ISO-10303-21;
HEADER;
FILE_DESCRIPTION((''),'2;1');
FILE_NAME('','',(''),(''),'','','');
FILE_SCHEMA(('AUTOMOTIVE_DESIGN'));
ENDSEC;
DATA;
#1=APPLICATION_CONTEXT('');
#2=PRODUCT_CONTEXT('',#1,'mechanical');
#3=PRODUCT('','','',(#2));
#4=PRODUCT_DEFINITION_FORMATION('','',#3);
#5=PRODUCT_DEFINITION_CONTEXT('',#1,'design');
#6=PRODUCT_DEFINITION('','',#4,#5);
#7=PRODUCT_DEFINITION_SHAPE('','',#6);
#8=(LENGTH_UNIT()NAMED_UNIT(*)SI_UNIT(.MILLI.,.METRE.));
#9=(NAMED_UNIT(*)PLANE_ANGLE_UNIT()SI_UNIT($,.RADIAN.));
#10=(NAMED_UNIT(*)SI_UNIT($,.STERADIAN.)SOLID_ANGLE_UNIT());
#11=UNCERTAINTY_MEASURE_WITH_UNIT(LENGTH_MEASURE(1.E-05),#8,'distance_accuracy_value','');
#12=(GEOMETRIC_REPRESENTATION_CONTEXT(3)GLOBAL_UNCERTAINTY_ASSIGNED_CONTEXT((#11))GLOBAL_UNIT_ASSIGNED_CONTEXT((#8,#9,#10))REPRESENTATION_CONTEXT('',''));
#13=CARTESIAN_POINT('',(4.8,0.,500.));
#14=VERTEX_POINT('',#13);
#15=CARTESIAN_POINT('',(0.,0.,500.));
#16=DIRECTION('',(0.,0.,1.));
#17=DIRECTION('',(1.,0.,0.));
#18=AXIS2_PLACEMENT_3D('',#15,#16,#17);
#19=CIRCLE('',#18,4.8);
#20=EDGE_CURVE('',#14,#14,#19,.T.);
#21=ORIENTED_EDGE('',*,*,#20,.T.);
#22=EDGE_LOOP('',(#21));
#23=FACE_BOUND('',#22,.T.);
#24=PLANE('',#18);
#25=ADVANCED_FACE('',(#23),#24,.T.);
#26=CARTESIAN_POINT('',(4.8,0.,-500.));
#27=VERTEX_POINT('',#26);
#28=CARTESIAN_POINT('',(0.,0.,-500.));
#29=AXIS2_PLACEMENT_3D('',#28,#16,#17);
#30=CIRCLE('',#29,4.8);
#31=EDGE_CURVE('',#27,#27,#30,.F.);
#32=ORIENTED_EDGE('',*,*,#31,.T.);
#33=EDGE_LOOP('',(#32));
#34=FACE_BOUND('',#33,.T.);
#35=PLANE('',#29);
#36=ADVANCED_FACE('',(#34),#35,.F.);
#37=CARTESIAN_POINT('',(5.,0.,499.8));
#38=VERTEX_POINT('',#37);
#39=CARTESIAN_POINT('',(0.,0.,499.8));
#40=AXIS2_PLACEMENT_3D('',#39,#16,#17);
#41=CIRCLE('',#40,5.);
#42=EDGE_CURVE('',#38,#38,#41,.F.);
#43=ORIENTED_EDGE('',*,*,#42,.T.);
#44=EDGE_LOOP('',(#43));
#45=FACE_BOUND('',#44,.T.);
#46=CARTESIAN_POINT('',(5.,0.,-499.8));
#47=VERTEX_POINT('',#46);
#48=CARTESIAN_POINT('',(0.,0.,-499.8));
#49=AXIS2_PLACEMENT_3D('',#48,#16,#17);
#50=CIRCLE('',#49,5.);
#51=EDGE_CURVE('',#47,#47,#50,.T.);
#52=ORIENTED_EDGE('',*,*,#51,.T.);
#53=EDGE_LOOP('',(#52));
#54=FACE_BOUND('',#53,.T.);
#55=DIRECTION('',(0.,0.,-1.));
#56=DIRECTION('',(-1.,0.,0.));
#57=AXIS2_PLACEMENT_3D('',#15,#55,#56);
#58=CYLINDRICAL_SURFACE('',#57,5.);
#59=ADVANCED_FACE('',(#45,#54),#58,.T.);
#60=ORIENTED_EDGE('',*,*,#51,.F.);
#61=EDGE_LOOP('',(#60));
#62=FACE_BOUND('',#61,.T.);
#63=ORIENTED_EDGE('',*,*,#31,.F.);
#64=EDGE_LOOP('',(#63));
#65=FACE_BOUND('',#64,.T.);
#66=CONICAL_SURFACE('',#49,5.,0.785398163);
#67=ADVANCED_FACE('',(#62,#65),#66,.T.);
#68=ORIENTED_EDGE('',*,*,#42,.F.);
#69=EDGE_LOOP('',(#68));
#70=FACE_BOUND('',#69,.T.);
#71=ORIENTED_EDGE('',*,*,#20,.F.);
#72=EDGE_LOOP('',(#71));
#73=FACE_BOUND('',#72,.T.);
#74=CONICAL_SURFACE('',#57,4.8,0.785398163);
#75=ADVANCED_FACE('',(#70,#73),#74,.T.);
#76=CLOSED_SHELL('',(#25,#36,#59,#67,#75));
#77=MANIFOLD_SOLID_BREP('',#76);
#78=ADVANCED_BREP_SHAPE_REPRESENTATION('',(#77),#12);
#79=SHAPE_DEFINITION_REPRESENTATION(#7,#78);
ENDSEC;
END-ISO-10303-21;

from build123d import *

# Parameters (mm, degrees)
BOSS_EXTRUDE1_DEPTH      = 500
BOSS_EXTRUDE1_DEPTH_BACK = 500
SKETCH3_R                = 5
CHAMFER1_SIZE            = 0.2


with BuildPart() as part:
    # Sketch3 → Boss-Extrude1 (new, two sides: drawn at the far end of the back side and taken through both)
    with BuildSketch(Plane.XY.offset(-BOSS_EXTRUDE1_DEPTH_BACK)):
        Circle(SKETCH3_R)
    extrude(amount=BOSS_EXTRUDE1_DEPTH + BOSS_EXTRUDE1_DEPTH_BACK)

    # Chamfer1
    chamfer1_edges = [part.edges().sort_by_distance(p)[0] for p in [
        (-5, 0, -500),
        (-5, 0, 500),
    ]]
    chamfer(chamfer1_edges, length=CHAMFER1_SIZE)


solid = part.part
